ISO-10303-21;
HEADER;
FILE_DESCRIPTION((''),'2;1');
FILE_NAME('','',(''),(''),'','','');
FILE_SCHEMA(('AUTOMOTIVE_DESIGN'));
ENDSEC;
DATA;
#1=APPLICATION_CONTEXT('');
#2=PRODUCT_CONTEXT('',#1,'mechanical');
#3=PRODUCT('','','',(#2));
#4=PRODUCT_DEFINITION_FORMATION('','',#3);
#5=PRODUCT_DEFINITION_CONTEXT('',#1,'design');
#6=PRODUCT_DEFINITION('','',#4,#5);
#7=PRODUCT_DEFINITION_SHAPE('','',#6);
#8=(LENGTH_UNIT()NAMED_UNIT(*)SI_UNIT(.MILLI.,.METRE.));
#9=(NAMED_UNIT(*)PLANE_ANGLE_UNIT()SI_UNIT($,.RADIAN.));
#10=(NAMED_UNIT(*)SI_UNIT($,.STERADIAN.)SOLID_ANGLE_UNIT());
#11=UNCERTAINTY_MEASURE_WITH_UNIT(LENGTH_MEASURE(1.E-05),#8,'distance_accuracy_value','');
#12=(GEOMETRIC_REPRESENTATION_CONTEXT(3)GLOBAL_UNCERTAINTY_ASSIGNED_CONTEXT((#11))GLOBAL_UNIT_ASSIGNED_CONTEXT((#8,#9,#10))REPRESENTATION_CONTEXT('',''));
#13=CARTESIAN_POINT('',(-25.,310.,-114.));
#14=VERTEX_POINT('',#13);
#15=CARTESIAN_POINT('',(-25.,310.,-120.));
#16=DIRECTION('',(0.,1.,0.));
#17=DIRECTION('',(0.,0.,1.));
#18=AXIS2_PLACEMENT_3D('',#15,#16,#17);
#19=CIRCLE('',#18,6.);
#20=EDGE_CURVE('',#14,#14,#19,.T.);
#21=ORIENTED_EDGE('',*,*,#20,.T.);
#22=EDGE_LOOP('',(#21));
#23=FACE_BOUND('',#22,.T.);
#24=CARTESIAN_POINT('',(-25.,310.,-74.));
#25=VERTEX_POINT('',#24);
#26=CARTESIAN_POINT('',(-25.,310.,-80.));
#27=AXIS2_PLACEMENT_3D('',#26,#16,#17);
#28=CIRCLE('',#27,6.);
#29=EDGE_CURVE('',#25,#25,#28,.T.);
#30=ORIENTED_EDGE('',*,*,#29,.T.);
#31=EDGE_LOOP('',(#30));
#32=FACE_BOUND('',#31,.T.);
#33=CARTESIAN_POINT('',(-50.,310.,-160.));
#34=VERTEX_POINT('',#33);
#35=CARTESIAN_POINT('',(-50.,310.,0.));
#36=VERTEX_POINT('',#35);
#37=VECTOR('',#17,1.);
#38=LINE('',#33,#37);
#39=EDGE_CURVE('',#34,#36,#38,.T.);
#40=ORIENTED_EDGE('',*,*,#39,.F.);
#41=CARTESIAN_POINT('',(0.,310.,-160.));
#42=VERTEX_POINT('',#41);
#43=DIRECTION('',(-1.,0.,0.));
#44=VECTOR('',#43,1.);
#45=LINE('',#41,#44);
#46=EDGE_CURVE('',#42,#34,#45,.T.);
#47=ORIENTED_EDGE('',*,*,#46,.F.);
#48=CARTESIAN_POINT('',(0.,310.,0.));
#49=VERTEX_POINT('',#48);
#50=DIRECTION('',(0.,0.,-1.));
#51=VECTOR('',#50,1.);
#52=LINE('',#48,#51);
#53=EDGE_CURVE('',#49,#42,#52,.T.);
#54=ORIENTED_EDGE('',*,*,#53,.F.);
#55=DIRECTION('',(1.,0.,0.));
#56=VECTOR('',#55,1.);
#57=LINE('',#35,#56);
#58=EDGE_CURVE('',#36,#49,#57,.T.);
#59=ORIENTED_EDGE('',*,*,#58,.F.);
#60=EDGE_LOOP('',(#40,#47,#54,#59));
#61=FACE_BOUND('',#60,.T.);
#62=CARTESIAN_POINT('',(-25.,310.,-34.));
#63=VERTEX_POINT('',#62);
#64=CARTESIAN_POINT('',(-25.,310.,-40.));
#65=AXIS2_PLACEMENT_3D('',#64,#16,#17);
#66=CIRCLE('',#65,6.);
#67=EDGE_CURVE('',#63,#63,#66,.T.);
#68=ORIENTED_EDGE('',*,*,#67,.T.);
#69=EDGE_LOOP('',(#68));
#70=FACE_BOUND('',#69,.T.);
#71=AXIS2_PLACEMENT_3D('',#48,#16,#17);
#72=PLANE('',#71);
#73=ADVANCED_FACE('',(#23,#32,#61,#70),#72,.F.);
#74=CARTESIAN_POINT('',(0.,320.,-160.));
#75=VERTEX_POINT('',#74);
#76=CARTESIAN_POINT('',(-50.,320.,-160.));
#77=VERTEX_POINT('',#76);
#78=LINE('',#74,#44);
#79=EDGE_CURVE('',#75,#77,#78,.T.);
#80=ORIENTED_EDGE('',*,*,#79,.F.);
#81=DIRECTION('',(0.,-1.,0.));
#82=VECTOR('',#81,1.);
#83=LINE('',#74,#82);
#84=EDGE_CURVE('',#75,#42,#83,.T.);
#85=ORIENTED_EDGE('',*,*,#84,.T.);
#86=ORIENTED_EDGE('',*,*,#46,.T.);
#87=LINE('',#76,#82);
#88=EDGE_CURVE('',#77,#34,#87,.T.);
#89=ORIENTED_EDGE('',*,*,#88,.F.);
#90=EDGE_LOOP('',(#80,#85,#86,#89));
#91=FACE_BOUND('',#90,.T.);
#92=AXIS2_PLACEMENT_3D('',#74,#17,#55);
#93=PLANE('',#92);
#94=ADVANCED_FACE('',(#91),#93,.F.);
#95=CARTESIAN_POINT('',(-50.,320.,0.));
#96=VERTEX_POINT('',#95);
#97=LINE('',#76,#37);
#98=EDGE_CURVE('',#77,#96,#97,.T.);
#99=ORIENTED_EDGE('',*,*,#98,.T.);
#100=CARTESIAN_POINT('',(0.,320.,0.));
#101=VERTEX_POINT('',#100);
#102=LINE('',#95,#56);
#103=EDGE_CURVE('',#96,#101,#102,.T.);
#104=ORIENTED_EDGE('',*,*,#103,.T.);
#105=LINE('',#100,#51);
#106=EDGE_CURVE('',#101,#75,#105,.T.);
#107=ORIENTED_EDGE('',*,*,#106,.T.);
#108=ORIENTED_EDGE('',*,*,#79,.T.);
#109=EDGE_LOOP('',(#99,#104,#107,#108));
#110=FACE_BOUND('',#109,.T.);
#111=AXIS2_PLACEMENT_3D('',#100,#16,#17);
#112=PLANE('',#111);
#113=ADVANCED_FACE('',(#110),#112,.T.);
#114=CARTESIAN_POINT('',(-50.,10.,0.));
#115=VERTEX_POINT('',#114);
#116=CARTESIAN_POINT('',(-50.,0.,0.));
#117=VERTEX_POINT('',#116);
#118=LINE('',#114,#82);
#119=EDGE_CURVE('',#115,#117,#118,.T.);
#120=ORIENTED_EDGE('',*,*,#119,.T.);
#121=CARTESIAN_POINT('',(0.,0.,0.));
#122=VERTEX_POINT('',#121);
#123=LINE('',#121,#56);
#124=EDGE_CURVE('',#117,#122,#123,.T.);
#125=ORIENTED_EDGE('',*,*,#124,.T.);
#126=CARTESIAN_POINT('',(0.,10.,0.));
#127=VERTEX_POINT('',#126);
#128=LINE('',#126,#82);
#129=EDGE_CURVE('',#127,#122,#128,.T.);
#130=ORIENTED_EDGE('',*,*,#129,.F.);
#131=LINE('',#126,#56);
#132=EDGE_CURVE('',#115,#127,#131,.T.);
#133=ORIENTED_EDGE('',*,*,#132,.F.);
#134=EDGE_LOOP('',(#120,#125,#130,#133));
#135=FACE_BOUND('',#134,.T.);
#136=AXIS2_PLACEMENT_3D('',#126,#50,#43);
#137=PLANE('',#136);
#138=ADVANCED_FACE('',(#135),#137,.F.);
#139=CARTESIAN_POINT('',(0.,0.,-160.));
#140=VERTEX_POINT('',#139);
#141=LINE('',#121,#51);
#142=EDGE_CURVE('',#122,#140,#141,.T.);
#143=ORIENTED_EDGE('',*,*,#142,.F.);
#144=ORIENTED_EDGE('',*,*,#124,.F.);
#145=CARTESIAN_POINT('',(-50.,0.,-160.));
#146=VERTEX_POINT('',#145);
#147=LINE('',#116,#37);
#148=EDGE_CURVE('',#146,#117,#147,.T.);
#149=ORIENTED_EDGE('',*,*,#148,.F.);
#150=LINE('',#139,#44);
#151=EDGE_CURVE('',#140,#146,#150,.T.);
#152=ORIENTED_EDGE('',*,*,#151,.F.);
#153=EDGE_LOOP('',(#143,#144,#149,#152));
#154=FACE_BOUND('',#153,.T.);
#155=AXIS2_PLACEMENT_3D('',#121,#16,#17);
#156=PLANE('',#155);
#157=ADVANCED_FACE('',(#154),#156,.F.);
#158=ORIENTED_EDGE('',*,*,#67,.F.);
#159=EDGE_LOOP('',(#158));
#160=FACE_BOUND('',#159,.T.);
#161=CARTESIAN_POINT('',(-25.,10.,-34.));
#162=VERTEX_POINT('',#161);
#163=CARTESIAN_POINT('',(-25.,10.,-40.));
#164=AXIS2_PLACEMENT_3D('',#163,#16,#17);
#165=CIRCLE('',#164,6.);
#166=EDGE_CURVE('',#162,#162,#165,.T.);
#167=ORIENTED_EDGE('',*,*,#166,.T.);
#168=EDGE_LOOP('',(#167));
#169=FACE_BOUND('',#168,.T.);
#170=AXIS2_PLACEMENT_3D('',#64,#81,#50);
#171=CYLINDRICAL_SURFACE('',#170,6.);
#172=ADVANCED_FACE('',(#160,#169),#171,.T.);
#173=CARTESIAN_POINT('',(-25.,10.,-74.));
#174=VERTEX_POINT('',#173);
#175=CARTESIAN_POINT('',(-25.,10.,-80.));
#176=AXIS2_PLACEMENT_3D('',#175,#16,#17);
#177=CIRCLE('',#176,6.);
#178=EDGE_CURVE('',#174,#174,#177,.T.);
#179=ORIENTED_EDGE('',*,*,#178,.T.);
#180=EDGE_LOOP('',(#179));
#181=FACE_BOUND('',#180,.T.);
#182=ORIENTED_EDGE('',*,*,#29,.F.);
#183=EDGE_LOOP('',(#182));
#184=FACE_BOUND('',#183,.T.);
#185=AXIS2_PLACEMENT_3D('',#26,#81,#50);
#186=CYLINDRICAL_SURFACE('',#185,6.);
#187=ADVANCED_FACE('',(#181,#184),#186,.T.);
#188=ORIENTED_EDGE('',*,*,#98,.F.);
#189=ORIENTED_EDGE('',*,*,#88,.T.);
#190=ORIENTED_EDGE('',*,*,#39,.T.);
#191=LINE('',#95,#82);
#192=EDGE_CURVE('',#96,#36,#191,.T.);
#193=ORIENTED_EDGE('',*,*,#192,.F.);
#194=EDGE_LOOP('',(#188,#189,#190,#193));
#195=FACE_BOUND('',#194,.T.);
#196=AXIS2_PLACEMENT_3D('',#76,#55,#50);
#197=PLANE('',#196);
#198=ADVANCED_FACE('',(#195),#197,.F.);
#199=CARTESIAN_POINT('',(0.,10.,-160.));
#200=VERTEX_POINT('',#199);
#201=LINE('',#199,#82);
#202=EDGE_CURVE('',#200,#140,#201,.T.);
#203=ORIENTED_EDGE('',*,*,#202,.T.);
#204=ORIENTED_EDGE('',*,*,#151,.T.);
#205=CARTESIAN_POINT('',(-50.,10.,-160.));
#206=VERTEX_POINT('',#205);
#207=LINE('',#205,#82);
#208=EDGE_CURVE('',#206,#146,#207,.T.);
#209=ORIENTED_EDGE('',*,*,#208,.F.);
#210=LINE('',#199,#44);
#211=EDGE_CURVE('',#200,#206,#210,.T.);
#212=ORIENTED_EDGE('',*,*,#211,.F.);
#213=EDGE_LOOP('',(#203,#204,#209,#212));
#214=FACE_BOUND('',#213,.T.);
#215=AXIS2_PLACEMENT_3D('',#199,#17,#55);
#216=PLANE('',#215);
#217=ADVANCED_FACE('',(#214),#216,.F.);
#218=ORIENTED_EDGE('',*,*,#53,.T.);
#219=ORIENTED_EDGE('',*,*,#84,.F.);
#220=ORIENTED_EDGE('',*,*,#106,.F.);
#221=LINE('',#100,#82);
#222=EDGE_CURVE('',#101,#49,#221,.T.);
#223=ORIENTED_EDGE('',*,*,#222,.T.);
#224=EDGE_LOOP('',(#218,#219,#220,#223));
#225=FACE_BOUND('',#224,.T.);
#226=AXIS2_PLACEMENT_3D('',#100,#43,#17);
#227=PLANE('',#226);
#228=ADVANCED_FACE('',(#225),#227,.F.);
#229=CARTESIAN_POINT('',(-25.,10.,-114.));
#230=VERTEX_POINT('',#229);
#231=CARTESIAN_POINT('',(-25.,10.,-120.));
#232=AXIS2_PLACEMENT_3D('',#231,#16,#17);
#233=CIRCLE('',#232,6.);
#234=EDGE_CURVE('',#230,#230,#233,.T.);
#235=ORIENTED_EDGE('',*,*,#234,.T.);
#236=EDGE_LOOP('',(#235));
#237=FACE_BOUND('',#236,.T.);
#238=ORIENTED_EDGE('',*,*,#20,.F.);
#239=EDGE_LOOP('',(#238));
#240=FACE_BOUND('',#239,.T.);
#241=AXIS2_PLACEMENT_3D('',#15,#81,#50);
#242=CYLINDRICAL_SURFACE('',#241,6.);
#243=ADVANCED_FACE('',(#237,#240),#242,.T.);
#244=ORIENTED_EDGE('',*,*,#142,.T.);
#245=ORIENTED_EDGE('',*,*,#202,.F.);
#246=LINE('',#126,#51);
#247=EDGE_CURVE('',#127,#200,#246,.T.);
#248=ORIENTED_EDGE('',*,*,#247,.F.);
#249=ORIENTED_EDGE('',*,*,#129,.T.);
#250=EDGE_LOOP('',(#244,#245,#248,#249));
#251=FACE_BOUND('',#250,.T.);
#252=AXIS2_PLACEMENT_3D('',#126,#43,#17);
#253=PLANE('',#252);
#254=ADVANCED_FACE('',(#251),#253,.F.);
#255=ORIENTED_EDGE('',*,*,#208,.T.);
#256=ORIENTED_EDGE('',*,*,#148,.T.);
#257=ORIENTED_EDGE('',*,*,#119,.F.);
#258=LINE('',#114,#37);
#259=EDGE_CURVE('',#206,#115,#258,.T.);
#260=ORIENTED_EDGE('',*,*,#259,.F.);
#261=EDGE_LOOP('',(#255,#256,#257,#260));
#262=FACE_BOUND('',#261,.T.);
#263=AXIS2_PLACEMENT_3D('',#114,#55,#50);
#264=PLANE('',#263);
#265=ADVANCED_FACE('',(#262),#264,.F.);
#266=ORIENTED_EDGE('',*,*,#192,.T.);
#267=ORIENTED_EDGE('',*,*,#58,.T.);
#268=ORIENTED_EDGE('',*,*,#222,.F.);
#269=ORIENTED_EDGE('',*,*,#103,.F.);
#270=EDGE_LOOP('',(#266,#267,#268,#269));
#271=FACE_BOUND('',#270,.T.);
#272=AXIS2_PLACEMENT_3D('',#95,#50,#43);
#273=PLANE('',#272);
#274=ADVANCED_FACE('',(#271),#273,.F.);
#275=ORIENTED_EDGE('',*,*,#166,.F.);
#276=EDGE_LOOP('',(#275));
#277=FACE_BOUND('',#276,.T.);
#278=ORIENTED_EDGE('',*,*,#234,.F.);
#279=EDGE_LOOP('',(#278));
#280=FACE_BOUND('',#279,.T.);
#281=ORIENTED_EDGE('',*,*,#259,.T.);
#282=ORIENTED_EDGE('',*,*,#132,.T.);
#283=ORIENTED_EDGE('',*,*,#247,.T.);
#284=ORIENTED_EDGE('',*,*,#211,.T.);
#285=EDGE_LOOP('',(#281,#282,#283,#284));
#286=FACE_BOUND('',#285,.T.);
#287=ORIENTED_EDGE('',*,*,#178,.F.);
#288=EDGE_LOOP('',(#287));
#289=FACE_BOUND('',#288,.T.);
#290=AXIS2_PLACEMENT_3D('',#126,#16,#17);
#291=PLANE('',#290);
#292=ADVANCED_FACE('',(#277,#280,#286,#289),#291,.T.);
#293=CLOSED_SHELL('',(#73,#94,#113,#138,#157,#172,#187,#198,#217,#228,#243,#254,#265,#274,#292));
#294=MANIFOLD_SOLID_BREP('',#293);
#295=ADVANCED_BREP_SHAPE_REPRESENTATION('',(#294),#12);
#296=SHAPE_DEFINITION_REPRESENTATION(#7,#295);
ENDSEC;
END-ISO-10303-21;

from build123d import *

# Parameters (mm, degrees)
SKETCH_1_W      = 50
SKETCH_1_H      = 160
EXTRUDE_1_DEPTH = 10
SKETCH_2_R      = 6
EXTRUDE_2_DEPTH = 300
SKETCH_3_W      = 50
SKETCH_3_H      = 160
EXTRUDE_3_DEPTH = 10


with BuildPart() as part:
    # 草图1 → 凸台-拉伸1 (new body)
    with BuildSketch(Plane(origin=(0, 0, 0), x_dir=(1, 0, 0), z_dir=(0, 1, 0))):
        with Locations((-25, 80)):
            Rectangle(SKETCH_1_W, SKETCH_1_H)
    extrude(amount=EXTRUDE_1_DEPTH)

    # 草图2 → 凸台-拉伸2 (add)
    with BuildSketch(Plane(origin=(0, 10, 0), x_dir=(1, 0, 0), z_dir=(0, 1, 0))):
        with Locations(Location((-25, 120, 0), (0, 0, 270))):
            Circle(SKETCH_2_R)
        with Locations(Location((-25, 80, 0), (0, 0, 270))):
            Circle(SKETCH_2_R)
        with Locations(Location((-25, 40, 0), (0, 0, 270))):
            Circle(SKETCH_2_R)
    extrude(amount=EXTRUDE_2_DEPTH)

    # 草图3 → 凸台-拉伸3 (add)
    with BuildSketch(Plane(origin=(0, 310, 0), x_dir=(1, 0, 0), z_dir=(0, 1, 0))):
        with Locations((-25, 80)):
            Rectangle(SKETCH_3_W, SKETCH_3_H)
    extrude(amount=EXTRUDE_3_DEPTH)


solid = part.part
